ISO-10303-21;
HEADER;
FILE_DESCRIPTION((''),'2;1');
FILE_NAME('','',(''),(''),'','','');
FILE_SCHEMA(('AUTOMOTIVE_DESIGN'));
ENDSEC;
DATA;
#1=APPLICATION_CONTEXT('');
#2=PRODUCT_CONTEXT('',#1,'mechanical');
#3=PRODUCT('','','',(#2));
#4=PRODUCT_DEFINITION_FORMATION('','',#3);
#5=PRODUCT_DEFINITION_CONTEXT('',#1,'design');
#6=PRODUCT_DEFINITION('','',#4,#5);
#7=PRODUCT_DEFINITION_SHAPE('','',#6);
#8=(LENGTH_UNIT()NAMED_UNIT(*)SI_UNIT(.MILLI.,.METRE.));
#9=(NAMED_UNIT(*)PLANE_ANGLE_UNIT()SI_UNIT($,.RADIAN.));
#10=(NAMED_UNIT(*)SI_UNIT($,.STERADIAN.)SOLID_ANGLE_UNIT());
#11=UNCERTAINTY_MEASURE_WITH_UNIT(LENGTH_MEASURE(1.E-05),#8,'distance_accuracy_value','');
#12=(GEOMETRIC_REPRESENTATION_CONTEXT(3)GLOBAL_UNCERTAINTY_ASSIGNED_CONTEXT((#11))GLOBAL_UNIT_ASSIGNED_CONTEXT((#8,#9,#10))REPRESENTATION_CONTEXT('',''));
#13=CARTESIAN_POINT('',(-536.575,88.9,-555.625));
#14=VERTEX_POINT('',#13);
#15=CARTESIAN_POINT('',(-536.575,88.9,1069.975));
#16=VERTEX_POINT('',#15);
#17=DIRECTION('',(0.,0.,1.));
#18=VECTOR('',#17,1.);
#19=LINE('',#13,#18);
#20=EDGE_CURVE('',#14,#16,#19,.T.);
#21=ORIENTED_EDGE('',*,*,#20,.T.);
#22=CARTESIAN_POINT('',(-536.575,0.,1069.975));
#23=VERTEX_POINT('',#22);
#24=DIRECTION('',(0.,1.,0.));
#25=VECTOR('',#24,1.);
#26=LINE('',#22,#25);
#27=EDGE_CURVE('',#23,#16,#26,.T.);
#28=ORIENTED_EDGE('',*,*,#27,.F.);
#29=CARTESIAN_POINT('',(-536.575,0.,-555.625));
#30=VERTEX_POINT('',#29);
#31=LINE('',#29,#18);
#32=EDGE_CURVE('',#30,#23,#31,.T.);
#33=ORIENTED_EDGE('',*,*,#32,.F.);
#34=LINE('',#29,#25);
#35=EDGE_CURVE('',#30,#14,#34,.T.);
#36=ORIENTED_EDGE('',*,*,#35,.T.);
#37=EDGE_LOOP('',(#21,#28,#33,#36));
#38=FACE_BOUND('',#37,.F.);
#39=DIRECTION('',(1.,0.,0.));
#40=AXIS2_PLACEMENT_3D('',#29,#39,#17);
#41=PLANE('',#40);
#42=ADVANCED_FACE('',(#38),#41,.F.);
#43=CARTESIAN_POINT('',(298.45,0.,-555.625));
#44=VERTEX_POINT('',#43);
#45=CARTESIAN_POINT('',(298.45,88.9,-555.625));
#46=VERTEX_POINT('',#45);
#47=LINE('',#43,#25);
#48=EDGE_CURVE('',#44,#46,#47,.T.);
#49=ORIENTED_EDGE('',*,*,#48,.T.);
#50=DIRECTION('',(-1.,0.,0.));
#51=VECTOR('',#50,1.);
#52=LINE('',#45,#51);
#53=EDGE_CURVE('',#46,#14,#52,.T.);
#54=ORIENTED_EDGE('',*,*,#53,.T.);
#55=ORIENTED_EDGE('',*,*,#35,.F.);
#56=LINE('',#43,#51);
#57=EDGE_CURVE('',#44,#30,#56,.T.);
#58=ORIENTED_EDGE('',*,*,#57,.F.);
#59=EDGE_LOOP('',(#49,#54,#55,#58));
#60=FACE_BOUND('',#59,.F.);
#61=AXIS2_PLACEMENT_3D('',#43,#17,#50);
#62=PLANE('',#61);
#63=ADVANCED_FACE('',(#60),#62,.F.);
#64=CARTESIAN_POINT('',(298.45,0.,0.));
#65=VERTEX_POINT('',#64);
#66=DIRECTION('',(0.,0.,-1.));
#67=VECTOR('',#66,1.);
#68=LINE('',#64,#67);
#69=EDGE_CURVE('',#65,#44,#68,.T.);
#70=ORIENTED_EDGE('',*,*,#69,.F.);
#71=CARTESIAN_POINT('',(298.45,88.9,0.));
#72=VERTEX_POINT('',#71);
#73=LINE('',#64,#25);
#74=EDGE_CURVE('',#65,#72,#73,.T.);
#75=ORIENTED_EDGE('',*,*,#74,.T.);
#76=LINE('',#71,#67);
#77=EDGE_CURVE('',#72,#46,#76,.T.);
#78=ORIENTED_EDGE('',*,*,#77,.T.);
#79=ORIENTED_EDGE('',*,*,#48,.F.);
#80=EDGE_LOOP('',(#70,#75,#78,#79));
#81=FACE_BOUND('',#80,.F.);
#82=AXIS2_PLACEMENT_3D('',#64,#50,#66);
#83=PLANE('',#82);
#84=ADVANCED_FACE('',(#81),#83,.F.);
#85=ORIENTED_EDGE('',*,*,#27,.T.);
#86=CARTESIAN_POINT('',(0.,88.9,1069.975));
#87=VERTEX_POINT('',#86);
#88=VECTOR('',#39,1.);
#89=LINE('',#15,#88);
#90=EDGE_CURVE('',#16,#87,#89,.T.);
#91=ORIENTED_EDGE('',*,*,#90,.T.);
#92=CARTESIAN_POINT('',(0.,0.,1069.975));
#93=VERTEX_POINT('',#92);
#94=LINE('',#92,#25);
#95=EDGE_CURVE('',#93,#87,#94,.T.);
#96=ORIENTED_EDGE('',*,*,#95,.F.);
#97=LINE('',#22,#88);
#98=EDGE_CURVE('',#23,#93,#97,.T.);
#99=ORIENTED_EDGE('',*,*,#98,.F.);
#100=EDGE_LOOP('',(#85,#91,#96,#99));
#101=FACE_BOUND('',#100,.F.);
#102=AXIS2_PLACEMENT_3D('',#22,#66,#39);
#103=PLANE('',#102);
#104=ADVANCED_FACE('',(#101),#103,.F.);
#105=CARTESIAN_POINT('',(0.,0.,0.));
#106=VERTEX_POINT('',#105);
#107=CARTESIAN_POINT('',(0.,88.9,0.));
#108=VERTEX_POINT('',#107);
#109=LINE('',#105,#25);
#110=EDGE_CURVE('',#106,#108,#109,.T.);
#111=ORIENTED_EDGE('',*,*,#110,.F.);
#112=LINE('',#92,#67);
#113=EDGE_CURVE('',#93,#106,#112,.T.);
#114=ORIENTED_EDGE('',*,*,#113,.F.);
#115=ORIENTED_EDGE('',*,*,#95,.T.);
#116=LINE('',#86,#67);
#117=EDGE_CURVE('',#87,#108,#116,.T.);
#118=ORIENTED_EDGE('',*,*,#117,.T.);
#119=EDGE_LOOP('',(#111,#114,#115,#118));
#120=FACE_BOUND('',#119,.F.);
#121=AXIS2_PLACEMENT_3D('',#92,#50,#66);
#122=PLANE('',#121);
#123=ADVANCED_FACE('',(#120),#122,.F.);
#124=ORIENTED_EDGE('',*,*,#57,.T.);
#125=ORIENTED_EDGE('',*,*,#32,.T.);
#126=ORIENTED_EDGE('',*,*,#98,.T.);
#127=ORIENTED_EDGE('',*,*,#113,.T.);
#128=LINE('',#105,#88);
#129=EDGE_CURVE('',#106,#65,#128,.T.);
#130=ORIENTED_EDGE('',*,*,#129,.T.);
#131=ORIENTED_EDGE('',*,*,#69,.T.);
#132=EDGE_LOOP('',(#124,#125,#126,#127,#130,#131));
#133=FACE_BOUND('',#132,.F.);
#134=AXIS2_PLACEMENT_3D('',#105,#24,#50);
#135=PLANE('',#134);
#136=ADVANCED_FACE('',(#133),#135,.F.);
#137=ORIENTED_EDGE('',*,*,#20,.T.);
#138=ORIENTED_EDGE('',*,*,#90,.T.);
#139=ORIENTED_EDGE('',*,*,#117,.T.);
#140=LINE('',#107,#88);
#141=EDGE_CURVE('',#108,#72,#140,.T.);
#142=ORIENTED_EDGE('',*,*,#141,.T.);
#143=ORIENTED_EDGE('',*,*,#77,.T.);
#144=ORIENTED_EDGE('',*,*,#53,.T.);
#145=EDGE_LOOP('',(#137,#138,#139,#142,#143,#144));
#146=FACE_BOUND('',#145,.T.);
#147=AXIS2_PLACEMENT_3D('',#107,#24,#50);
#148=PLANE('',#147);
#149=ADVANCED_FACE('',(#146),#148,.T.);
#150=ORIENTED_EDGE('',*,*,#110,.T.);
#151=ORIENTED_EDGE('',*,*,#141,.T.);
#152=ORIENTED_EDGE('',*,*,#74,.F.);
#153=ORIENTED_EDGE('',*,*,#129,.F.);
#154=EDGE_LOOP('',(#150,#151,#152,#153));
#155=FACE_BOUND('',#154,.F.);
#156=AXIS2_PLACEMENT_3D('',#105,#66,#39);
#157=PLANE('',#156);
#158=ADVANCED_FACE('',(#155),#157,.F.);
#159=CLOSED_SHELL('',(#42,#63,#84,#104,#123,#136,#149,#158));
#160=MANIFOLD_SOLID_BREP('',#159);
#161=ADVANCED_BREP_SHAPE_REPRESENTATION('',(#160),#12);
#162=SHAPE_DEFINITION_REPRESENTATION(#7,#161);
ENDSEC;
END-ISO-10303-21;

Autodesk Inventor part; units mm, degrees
ref_plane "YZ Plane" through (0, 0, 0) normal (1, 0, 0) x (0, 1, 0)
ref_plane "XZ Plane" through (0, 0, 0) normal (0, 1, 0) x (-1, 0, 0)
ref_plane "XY Plane" through (0, 0, 0) normal (0, 0, 1) x (1, 0, 0)
sketch "Sketch1" plane through (0, 0, 0) normal (0, 1, 0) x (-1, 0, 0)
  line L0 (536.575, 1069.975) -> (0, 1069.975)
  line L1 (0, 1069.975) -> (0, 0)
  line L2 (0, 0) -> (-298.45, 0)
  line L3 (-298.45, 0) -> (-298.45, -555.625)
  line L4 (-298.45, -555.625) -> (536.575, -555.625)
  line L5 (536.575, -555.625) -> (536.575, 1069.975)
  dimension "d1" = 536.575
  dimension "d2" = 835.025
  dimension "d3" = 555.625
  dimension "d9" = 1069.975
  dimension "d10" = 1625.6
  dimension "d11" = 298.45
extrude "Extrusion1" add sketch "Sketch1" along normal blind 88.9
properties part number "Stand--Sink_and_Corner_Cabinets" material "Wood (Southern Pine)"
